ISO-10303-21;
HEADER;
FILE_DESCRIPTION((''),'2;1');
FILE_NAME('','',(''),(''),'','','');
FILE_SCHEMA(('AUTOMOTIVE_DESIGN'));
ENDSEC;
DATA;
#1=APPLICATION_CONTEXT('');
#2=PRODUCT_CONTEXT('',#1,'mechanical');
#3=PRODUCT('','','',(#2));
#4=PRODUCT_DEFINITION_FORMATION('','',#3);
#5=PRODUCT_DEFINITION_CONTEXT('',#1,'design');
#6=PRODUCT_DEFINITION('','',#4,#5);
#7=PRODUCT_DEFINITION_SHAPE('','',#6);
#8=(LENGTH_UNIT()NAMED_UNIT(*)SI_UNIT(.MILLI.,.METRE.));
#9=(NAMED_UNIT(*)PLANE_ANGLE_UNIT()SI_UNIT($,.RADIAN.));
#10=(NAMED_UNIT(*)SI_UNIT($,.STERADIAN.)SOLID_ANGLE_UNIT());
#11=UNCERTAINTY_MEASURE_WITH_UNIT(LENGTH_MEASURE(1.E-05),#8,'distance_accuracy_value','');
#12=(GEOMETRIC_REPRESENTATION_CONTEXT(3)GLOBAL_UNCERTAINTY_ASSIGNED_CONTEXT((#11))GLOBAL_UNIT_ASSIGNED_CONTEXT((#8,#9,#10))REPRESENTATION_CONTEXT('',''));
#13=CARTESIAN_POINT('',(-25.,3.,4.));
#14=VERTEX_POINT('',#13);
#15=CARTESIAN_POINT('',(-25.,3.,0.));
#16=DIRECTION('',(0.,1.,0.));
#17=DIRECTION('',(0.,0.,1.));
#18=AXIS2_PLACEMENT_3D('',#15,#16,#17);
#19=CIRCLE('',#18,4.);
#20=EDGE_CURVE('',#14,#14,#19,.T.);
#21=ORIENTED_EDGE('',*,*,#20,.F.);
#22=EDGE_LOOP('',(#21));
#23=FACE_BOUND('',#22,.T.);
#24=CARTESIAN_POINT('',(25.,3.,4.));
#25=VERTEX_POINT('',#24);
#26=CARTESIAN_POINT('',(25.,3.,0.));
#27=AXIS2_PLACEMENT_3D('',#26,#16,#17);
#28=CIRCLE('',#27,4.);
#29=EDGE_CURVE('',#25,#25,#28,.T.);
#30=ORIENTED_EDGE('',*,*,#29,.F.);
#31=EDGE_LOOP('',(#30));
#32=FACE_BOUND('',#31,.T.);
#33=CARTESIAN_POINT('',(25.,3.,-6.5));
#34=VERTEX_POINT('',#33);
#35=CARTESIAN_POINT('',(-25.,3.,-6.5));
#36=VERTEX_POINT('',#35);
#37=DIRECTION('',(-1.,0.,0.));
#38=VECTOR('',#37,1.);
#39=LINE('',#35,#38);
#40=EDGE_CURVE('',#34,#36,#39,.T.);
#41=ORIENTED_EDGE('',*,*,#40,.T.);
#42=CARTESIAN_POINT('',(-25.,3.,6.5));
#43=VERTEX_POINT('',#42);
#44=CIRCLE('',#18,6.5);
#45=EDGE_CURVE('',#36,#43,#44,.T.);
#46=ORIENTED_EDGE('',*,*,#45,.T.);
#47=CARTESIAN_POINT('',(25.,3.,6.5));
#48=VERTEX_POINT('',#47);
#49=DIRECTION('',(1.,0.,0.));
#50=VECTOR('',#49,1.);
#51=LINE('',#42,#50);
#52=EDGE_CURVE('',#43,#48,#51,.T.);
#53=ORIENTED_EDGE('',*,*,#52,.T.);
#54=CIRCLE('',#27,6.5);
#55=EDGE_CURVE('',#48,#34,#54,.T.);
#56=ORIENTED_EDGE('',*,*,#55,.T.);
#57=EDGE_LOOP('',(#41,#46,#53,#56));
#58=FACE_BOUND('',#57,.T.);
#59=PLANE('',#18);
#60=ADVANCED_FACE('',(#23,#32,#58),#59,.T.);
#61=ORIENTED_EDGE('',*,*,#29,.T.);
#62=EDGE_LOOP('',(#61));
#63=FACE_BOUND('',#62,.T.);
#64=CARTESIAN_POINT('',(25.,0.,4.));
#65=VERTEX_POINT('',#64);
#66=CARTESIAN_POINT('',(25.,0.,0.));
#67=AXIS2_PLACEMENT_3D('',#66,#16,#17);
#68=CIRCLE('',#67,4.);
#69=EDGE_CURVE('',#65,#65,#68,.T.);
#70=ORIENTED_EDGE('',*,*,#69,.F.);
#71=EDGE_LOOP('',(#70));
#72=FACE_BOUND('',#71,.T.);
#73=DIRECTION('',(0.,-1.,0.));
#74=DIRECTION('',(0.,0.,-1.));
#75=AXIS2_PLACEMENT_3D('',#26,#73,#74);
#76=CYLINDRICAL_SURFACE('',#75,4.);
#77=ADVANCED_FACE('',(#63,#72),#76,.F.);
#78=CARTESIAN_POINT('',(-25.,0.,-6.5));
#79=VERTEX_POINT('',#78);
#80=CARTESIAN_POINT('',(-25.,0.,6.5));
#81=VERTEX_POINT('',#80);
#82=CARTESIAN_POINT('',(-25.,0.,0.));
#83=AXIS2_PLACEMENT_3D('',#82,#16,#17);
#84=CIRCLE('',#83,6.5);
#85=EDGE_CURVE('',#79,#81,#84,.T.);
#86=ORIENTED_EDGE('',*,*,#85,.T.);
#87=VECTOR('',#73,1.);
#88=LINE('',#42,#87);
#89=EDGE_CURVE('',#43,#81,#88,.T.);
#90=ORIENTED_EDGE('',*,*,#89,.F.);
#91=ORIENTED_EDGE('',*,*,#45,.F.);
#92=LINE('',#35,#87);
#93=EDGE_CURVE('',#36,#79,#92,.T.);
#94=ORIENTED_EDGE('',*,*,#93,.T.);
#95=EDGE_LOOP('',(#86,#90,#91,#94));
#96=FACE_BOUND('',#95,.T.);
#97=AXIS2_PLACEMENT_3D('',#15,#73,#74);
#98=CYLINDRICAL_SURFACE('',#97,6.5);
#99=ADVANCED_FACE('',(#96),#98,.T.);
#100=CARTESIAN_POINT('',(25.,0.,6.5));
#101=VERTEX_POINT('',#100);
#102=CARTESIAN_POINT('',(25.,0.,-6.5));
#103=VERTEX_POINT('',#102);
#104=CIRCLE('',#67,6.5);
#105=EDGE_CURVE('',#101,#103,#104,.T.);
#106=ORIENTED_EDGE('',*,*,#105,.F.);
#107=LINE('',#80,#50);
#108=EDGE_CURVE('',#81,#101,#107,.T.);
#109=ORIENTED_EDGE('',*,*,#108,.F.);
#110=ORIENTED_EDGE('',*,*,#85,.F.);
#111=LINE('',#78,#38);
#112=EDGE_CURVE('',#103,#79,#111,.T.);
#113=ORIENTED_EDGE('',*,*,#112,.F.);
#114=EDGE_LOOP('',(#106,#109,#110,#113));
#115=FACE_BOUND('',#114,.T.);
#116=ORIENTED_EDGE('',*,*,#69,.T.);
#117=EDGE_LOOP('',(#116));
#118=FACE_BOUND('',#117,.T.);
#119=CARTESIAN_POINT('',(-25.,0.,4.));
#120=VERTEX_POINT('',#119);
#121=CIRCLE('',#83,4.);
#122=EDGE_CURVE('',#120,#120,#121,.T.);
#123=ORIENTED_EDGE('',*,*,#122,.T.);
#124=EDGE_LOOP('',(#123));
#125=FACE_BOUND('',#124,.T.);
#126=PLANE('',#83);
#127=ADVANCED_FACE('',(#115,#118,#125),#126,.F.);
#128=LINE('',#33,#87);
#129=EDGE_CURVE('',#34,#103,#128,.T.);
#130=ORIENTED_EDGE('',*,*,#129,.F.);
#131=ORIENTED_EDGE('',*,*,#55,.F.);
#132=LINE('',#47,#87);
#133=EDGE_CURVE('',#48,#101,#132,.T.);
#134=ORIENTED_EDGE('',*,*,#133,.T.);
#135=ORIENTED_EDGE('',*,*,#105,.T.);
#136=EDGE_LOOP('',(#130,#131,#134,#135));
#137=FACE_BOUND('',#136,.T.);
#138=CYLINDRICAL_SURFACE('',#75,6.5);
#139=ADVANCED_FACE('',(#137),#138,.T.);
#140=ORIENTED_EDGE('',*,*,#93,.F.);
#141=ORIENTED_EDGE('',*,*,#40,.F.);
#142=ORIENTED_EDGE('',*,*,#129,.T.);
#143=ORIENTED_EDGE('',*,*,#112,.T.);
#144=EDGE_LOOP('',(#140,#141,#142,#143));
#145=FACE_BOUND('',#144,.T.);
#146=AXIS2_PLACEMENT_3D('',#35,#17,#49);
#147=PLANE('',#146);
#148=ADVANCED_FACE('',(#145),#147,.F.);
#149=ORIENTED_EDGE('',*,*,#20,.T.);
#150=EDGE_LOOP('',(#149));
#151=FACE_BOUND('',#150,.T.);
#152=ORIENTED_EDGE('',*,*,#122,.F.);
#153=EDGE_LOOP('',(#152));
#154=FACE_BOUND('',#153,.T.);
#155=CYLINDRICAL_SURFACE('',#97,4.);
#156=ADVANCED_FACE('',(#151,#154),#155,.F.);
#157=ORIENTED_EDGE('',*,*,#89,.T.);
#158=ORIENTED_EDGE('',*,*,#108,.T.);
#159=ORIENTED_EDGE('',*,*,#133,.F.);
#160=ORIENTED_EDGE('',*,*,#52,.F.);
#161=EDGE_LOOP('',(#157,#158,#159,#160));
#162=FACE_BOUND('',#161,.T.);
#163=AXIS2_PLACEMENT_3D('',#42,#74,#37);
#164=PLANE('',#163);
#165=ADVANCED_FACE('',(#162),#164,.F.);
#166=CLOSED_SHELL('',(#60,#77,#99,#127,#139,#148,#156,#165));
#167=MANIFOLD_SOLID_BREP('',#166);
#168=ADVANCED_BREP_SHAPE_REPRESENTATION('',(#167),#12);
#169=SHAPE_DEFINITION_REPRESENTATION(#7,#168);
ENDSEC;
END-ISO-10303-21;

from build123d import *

# Parameters (mm, degrees)
SKETCH1_R           = 4
BOSS_EXTRUDE1_DEPTH = 3


with BuildPart() as part:
    # Sketch1 → Boss-Extrude1 (new body)
    with BuildSketch(Plane(origin=(0, 0, 0), x_dir=(1, 0, 0), z_dir=(0, 1, 0))):
        with BuildLine():
            Line((-25, 6.5), (25, 6.5))
            ThreePointArc((25, 6.5), (31.5, 0), (25, -6.5))
            Line((25, -6.5), (-25, -6.5))
            ThreePointArc((-25, -6.5), (-31.5, 0), (-25, 6.5))
        make_face()
        with Locations(Location((-25, 0, 0), (0, 0, 270))):
            Circle(SKETCH1_R, mode=Mode.SUBTRACT)
        with Locations(Location((25, 0, 0), (0, 0, 270))):
            Circle(SKETCH1_R, mode=Mode.SUBTRACT)
    extrude(amount=BOSS_EXTRUDE1_DEPTH)


solid = part.part
